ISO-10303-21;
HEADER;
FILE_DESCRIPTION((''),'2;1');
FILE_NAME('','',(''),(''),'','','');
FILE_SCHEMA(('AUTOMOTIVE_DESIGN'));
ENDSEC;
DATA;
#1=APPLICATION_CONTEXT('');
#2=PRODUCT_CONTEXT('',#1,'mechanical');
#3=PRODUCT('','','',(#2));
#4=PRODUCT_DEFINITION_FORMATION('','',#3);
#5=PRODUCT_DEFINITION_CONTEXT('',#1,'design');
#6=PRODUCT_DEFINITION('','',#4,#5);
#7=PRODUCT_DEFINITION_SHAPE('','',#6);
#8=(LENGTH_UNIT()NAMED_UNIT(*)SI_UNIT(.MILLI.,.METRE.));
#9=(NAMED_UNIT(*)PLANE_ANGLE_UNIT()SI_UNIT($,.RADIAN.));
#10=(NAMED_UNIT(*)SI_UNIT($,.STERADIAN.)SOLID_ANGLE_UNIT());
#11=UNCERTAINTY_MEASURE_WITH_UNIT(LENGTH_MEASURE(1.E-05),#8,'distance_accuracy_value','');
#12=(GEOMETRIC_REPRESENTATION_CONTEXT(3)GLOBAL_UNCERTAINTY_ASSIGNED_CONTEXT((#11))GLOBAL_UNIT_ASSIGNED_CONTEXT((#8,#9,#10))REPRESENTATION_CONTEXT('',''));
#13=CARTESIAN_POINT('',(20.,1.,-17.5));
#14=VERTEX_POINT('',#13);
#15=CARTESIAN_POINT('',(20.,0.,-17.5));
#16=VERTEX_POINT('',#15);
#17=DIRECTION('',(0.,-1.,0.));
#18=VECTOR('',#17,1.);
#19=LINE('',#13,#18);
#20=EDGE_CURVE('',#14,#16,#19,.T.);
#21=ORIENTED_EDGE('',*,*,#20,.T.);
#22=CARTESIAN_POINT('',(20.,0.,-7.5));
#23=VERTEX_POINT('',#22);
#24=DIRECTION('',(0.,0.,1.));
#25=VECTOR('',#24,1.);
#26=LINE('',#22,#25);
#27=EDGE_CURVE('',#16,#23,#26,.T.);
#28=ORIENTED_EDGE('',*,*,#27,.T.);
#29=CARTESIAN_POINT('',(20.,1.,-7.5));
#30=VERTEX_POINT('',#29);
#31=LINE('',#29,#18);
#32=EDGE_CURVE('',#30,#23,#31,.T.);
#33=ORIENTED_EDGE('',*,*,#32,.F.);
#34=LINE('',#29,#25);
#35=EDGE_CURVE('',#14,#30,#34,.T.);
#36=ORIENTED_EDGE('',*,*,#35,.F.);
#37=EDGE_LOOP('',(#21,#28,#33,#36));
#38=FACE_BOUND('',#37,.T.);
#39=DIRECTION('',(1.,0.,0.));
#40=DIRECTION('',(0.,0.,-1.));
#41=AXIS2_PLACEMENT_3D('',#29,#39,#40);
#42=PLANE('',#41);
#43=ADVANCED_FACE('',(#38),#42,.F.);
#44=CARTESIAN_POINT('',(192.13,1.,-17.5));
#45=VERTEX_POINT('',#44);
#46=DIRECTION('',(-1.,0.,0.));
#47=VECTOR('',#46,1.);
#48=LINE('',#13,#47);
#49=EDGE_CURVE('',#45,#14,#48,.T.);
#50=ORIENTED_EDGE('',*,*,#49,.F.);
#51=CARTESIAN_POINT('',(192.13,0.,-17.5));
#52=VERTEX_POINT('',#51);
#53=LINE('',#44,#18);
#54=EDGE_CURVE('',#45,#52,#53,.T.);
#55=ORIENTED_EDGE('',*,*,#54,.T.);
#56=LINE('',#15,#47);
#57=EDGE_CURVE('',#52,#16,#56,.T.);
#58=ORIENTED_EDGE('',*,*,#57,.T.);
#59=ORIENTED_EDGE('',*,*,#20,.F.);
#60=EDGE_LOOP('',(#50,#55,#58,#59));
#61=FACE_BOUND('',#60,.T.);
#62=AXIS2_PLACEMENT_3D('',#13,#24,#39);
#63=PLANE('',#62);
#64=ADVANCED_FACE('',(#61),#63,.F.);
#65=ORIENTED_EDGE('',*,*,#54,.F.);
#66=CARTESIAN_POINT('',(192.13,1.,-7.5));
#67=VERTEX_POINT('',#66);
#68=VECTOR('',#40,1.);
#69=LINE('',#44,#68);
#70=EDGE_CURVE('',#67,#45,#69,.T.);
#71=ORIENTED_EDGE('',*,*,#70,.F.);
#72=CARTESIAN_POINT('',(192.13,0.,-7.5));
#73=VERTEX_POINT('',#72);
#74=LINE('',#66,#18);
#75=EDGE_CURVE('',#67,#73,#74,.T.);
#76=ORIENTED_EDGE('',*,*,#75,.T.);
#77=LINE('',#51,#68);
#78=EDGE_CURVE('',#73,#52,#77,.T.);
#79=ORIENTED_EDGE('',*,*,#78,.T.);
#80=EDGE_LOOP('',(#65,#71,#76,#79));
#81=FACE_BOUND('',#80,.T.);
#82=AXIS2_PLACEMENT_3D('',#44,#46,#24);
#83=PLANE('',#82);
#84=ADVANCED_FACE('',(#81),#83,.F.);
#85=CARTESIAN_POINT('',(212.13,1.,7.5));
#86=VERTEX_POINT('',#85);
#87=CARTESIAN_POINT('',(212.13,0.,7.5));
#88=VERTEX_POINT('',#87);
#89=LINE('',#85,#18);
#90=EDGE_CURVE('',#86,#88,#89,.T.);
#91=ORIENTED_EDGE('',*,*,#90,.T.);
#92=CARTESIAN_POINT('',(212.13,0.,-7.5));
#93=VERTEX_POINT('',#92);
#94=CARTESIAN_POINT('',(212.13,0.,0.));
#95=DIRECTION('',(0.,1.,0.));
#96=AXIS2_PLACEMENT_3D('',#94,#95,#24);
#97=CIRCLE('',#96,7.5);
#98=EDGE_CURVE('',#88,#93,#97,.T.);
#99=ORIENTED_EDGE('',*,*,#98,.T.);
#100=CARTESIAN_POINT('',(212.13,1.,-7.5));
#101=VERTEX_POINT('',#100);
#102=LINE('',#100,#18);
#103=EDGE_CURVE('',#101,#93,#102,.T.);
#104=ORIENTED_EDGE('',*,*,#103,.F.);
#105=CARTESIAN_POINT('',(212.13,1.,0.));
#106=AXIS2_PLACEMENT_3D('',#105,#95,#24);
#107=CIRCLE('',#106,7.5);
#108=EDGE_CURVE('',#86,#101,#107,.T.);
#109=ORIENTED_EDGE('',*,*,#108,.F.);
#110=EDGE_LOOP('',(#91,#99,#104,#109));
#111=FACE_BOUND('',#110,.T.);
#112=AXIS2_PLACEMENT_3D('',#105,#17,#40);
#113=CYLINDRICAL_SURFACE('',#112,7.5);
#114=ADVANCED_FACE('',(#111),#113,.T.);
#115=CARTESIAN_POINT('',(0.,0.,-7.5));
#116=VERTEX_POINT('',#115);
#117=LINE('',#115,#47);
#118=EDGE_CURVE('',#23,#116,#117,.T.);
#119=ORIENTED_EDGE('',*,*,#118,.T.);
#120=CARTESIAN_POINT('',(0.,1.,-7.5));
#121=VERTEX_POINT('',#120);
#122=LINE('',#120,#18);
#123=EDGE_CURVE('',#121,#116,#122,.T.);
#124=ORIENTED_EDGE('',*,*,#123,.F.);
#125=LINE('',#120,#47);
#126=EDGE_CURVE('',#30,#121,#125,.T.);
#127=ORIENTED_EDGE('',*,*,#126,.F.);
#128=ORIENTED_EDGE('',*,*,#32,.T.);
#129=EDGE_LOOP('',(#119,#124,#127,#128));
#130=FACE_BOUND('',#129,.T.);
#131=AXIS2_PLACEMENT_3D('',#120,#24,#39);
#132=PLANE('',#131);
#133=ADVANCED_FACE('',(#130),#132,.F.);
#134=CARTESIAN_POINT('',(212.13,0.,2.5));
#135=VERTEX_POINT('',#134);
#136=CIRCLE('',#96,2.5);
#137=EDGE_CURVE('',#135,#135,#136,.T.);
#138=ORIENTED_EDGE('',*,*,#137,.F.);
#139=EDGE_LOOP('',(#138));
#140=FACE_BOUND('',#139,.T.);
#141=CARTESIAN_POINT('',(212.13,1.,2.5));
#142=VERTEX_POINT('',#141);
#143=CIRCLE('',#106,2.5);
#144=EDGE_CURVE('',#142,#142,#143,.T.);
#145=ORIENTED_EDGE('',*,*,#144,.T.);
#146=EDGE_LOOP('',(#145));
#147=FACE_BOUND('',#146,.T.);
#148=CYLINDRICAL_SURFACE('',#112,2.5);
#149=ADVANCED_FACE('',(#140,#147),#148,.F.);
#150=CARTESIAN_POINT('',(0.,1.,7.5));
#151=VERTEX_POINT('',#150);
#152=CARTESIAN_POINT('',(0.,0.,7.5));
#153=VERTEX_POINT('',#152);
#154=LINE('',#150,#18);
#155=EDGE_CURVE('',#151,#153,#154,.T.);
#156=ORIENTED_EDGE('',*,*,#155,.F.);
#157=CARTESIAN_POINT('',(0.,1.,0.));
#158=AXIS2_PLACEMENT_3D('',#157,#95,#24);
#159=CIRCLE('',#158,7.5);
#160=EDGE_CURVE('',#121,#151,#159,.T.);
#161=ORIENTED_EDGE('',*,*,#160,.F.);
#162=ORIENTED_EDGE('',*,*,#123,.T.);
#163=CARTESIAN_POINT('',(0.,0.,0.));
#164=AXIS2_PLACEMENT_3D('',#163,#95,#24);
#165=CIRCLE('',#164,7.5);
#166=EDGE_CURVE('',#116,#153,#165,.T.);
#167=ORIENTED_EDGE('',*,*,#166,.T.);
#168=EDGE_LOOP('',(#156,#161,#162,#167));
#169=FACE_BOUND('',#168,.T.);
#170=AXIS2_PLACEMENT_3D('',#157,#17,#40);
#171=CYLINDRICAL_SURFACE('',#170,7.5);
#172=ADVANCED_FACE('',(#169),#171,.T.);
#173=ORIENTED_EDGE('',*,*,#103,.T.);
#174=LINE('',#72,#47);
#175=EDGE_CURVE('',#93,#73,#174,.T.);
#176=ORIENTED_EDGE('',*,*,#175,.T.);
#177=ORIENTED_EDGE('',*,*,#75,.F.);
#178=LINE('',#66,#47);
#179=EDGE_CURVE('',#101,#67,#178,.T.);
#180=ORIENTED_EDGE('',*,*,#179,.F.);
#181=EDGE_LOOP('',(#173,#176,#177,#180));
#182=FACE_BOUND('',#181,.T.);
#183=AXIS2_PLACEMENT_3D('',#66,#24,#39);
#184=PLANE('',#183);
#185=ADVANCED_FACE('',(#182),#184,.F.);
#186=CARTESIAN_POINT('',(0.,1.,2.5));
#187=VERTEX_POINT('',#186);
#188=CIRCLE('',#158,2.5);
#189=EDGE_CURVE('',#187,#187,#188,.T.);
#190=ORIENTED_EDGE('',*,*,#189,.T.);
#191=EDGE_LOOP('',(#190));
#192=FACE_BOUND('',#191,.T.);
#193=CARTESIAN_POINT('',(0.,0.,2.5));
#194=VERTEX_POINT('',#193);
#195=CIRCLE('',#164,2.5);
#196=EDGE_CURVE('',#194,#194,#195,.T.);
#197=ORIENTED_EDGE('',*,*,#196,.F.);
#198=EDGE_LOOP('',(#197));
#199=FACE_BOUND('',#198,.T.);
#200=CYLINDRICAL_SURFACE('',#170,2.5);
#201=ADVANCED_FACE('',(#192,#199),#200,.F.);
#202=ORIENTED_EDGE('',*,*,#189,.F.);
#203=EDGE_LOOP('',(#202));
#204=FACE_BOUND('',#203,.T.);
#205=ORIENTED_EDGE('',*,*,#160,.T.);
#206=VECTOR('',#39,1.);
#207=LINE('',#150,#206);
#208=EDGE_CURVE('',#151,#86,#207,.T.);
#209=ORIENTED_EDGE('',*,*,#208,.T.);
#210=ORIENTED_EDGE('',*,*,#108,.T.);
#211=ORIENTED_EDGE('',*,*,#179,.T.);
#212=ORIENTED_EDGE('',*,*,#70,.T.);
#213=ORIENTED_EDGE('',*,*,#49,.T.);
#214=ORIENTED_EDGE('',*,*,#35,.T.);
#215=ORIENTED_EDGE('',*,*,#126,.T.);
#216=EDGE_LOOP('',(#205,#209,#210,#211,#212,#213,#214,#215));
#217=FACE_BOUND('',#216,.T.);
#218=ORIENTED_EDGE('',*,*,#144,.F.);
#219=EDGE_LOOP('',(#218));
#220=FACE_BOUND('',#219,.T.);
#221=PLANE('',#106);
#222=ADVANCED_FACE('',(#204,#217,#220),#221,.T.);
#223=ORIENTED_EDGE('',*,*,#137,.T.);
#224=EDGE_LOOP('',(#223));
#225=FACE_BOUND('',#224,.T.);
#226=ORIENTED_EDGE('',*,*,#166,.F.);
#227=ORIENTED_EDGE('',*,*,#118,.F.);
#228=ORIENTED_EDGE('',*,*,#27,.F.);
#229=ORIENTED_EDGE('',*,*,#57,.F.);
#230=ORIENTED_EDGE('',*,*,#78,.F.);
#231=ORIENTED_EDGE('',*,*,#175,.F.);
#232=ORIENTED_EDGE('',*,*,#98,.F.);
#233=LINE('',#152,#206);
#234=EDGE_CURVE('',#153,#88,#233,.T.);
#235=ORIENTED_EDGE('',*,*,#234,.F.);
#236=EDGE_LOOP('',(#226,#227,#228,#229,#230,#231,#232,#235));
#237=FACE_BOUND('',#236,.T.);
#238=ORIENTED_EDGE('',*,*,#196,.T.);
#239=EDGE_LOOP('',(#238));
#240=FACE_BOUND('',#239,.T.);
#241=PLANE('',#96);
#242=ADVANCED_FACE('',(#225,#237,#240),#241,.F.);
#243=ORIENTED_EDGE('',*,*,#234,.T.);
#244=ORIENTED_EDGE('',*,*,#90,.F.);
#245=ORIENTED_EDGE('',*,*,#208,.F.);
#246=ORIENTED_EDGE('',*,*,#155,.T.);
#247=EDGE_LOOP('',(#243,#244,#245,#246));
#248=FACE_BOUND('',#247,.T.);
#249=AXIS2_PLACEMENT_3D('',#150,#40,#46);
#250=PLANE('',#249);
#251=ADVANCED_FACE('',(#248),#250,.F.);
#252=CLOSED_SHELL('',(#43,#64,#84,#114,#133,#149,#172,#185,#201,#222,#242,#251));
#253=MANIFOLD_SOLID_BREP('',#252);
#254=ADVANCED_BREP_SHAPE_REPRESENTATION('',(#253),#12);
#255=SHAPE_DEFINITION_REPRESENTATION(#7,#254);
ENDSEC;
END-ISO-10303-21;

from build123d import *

# Parameters (mm, degrees)
SKETCH1_R           = 2.5
BOSS_EXTRUDE1_DEPTH = 1


with BuildPart() as part:
    # Sketch1 → Boss-Extrude1 (new body)
    with BuildSketch(Plane(origin=(0, 0, 0), x_dir=(1, 0, 0), z_dir=(0, 1, 0))):
        with BuildLine():
            Line((0, 7.5), (20, 7.5))
            Line((20, 7.5), (20, 17.5))
            Line((20, 17.5), (192.13, 17.5))
            Line((192.13, 17.5), (192.13, 7.5))
            Line((192.13, 7.5), (212.13, 7.5))
            ThreePointArc((212.13, 7.5), (219.63, 0), (212.13, -7.5))
            Line((212.13, -7.5), (0, -7.5))
            ThreePointArc((0, -7.5), (-7.5, 0), (0, 7.5))
        make_face()
        with Locations(Location((0, 0, 0), (0, 0, 270))):
            Circle(SKETCH1_R, mode=Mode.SUBTRACT)
        with Locations(Location((212.13, 0, 0), (0, 0, 270))):
            Circle(SKETCH1_R, mode=Mode.SUBTRACT)
    extrude(amount=BOSS_EXTRUDE1_DEPTH)


solid = part.part
